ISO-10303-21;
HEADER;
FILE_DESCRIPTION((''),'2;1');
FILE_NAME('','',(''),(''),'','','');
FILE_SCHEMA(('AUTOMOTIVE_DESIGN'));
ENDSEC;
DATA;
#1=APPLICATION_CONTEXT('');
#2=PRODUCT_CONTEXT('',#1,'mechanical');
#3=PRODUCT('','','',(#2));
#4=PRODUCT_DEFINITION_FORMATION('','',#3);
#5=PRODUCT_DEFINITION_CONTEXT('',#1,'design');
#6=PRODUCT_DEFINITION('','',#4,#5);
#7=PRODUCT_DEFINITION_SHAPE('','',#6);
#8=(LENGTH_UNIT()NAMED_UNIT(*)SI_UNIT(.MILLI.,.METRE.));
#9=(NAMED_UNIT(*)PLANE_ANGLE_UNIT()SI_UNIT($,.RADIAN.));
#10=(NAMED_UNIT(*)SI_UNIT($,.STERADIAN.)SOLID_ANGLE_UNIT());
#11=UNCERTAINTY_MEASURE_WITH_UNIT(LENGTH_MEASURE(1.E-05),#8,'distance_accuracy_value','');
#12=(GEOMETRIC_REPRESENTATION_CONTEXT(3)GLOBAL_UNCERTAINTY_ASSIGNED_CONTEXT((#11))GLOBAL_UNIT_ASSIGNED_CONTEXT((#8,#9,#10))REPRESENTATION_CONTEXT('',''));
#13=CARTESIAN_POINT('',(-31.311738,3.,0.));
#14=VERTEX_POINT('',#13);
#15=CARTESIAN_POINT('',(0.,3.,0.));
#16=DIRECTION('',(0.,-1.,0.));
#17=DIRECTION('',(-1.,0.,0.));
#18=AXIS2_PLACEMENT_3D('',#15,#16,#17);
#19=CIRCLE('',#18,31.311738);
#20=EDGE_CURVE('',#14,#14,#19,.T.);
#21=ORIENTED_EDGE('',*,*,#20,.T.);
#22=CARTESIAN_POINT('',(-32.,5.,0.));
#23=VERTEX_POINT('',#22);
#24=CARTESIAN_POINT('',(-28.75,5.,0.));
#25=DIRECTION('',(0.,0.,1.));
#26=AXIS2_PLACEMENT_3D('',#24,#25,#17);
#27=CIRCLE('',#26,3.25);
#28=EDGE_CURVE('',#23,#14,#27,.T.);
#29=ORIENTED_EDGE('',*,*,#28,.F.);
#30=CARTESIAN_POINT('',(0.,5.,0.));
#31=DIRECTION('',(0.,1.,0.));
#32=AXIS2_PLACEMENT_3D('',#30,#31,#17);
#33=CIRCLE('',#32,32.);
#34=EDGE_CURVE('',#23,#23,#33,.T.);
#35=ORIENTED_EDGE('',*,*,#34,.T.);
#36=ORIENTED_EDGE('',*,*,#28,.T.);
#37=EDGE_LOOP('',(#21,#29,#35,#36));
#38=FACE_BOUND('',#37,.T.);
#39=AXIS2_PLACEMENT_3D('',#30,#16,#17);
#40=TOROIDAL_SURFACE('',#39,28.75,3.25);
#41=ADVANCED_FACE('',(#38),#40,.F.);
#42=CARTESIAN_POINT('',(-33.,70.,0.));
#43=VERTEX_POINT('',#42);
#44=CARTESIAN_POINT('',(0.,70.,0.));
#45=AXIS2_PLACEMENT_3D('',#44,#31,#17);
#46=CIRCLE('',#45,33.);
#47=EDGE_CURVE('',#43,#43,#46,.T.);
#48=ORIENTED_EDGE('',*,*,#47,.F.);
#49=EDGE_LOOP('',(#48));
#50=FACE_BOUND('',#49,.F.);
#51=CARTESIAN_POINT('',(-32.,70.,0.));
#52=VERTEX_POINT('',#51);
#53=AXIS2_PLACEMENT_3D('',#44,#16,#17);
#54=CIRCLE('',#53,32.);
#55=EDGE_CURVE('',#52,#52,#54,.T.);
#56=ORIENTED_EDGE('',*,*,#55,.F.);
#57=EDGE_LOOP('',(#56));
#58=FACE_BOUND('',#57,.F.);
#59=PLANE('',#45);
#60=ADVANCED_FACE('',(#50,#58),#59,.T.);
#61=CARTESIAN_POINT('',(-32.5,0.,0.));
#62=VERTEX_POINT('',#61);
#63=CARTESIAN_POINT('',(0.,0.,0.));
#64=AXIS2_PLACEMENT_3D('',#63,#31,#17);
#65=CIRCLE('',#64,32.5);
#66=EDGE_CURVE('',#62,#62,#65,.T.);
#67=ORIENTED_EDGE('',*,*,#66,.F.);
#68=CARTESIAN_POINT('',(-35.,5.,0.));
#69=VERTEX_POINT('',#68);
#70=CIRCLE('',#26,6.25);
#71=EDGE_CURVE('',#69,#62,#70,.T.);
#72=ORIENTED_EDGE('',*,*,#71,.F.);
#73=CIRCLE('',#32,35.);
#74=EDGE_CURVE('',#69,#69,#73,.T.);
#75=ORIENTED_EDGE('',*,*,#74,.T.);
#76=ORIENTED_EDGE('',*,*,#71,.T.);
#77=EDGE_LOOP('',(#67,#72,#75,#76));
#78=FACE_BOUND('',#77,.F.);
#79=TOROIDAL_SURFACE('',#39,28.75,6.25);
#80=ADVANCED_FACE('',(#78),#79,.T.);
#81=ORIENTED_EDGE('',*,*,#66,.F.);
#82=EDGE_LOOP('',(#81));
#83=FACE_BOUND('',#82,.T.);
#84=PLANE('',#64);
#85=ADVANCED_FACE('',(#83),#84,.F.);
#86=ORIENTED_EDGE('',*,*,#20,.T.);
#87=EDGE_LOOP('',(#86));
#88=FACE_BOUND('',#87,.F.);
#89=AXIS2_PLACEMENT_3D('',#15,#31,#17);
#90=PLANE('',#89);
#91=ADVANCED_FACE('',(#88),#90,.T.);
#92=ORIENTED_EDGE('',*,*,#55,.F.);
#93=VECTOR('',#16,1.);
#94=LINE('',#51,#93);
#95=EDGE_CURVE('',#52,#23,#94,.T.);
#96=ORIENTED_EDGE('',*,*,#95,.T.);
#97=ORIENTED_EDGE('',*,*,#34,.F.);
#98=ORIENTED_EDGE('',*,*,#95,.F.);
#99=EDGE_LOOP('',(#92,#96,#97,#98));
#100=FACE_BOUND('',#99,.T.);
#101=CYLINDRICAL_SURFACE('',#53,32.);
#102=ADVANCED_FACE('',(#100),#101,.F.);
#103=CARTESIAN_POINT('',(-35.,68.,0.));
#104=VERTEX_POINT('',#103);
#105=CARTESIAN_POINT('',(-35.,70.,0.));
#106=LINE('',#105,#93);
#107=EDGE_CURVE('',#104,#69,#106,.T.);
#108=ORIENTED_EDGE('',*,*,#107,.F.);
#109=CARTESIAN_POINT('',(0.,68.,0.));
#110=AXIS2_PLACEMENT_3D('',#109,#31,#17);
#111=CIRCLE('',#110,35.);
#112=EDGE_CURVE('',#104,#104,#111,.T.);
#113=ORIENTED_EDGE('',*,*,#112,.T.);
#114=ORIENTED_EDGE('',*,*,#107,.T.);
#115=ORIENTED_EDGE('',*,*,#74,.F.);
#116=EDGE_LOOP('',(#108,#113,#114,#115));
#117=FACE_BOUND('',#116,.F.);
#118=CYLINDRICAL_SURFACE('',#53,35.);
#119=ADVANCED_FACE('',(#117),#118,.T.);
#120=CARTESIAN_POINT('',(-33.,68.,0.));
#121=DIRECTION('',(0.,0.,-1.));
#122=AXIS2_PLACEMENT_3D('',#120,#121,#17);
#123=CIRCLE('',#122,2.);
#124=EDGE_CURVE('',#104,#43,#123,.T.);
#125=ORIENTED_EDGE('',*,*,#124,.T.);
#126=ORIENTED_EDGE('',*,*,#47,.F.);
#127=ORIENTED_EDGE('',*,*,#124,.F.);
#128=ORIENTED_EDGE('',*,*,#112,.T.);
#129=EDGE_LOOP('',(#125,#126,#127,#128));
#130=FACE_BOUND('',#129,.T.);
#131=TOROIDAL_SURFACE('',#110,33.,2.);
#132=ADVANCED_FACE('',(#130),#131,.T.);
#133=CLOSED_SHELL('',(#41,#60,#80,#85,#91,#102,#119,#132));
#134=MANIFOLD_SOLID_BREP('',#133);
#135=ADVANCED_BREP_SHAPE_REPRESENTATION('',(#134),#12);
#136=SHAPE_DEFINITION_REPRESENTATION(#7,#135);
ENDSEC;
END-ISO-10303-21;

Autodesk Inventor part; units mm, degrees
ref_plane "XZ Plane" through (0, 0, 0) normal (0, 1, 0) x (-1, 0, 0)
sketch "Boceto1" plane through (0, 0, 0) normal (0, 0, 1) x (1, 0, 0)
  line L0 (0, 0) -> (-32.5, 0)
  line L1 (0, 0) -> (0, 70)
  line L2 (0, 70) -> (-35, 70)
  line L3 (-35, 70) -> (-35, 5)
  arc A0 (-35, 5) -> (-32.5, 0) centre (-28.75, 5) ccw
  dimension "d0" = 32.5
  dimension "d1" = 70
  dimension "d2" = 35
  dimension "d3" = 65
revolve "Revolución1" add sketch "Boceto1" angle 360 about axis through (0, 0, 0) along (0, 1, 0)
shell "Vaciado1" thickness 3 removed faces 1 at (-0.2748, 70, -9.3581)
sketch "Boceto2" plane through (0, 0, 0) normal (0, 0, 1) x (1, 0, 0)
  line L0 (35, 5) -> (35, 70) projected
  line L1 (32, 5) -> (32, 70) projected
  line L2 (35, 60.0697) -> (60, 60.0697)
  arc A0 (66.5079, 49.9877) -> (60, 60.0697) centre (54.5227, 49.3927) ccw
  line L3 (66.5079, 49.9877) -> (35, 15)
  point P0 (0, 0)
  dimension "d10" = 25
  dimension "d11" = 12
  dimension "d12" = 12
ref_plane "Plano de trabajo1" through (35, 60.0697, 0) normal (1, 0, 0) x (0, 1, 0)
sketch "Boceto3" plane through (35, 60.0697, 0) normal (1, 0, 0) x (0, 1, 0)
  ellipse E0 centre (0, 0) end of major axis (-4, 0) minor radius 6
  point P0 (-60.0697, 0)
  dimension "d14" = 4
  dimension "d15" = 6
ref_plane "Plano de trabajo10" through (35, 15, 0) normal (1, 0, 0) x (0, 1, 0)
sketch "Boceto8" plane through (35, 15, 0) normal (1, 0, 0) x (0, 1, 0)
  ellipse E0 centre (0, 0) end of major axis (-3, 0) minor radius 5
  point P0 (-15, 0)
  dimension "d23" = 5
  dimension "d24" = 3
fillet "Empalme1" radius 2 1 edges at (35, 70, 0)
sketch "Boceto9" plane through (0, 0, 0) normal (0, -1, 0) x (1, 0, 0)
  circle A0 centre (0, 0) radius 32.5
  circle A1 centre (0, 0) radius 31
  dimension "d26" = 65
  dimension "d27" = 62
properties part number "Taza Juan Molina"
